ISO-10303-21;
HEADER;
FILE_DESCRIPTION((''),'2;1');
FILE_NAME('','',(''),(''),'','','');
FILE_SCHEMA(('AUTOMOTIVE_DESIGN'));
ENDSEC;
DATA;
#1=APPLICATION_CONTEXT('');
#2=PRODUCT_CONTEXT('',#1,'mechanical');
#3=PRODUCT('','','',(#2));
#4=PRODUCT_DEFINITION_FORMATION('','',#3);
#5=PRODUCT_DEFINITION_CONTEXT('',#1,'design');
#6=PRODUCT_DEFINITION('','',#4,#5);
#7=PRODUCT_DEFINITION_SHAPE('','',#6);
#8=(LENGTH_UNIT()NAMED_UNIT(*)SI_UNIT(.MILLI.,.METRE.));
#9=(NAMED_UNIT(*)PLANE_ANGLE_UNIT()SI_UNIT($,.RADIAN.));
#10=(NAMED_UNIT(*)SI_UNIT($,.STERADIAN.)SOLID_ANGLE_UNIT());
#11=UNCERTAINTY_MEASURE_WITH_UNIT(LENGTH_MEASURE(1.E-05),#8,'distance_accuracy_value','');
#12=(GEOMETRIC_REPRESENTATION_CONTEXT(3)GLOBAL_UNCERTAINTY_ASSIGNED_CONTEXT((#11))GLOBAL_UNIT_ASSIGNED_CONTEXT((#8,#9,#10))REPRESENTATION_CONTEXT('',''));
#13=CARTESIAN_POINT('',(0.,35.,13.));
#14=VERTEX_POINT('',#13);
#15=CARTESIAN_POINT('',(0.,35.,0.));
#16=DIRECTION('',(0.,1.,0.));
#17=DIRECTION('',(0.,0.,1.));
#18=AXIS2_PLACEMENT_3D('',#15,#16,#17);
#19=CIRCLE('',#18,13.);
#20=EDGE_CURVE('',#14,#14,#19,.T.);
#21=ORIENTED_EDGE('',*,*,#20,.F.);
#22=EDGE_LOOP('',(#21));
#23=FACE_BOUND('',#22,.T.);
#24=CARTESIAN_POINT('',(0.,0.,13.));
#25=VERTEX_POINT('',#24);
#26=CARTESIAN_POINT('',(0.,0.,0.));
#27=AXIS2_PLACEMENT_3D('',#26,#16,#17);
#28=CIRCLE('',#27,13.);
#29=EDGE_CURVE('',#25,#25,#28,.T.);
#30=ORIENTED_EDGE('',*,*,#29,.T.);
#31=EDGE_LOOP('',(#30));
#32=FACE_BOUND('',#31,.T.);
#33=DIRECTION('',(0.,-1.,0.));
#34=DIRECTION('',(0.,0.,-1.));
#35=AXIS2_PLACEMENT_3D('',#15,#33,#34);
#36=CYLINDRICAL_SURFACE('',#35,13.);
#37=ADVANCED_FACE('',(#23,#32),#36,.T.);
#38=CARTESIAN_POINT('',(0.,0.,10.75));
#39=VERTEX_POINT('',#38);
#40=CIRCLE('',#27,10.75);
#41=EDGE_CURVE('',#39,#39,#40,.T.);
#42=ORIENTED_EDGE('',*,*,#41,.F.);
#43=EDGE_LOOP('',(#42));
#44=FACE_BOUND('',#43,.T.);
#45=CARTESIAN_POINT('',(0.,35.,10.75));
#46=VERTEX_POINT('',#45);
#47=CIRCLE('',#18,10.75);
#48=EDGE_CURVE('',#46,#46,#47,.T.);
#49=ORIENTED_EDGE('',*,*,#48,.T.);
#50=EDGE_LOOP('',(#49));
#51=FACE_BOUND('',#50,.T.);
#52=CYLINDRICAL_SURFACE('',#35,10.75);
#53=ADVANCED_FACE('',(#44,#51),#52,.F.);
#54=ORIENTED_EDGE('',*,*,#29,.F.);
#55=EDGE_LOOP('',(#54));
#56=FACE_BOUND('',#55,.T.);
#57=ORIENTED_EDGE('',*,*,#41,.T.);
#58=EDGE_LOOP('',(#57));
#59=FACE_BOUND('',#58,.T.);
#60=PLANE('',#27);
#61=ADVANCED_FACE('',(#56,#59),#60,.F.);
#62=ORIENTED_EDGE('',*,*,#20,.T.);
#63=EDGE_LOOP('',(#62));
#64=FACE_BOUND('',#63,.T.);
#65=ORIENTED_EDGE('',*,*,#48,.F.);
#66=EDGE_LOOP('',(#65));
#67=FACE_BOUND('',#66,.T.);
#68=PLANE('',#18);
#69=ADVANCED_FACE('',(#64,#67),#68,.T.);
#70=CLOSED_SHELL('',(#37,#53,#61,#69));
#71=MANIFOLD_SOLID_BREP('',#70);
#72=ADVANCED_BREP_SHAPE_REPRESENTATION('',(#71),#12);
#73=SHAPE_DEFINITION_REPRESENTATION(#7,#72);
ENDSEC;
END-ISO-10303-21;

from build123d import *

# Parameters (mm, degrees)
SKETCH1_R           = 13
SKETCH1_R_2         = 10.75
BOSS_EXTRUDE1_DEPTH = 35


with BuildPart() as part:
    # Sketch1 → Boss-Extrude1 (new body)
    with BuildSketch(Plane(origin=(0, 0, 0), x_dir=(1, 0, 0), z_dir=(0, 1, 0))):
        with Locations(Location((0, 0, 0), (0, 0, 270))):
            Circle(SKETCH1_R)
        with Locations(Location((0, 0, 0), (0, 0, 270))):
            Circle(SKETCH1_R_2, mode=Mode.SUBTRACT)
    extrude(amount=BOSS_EXTRUDE1_DEPTH)


solid = part.part
